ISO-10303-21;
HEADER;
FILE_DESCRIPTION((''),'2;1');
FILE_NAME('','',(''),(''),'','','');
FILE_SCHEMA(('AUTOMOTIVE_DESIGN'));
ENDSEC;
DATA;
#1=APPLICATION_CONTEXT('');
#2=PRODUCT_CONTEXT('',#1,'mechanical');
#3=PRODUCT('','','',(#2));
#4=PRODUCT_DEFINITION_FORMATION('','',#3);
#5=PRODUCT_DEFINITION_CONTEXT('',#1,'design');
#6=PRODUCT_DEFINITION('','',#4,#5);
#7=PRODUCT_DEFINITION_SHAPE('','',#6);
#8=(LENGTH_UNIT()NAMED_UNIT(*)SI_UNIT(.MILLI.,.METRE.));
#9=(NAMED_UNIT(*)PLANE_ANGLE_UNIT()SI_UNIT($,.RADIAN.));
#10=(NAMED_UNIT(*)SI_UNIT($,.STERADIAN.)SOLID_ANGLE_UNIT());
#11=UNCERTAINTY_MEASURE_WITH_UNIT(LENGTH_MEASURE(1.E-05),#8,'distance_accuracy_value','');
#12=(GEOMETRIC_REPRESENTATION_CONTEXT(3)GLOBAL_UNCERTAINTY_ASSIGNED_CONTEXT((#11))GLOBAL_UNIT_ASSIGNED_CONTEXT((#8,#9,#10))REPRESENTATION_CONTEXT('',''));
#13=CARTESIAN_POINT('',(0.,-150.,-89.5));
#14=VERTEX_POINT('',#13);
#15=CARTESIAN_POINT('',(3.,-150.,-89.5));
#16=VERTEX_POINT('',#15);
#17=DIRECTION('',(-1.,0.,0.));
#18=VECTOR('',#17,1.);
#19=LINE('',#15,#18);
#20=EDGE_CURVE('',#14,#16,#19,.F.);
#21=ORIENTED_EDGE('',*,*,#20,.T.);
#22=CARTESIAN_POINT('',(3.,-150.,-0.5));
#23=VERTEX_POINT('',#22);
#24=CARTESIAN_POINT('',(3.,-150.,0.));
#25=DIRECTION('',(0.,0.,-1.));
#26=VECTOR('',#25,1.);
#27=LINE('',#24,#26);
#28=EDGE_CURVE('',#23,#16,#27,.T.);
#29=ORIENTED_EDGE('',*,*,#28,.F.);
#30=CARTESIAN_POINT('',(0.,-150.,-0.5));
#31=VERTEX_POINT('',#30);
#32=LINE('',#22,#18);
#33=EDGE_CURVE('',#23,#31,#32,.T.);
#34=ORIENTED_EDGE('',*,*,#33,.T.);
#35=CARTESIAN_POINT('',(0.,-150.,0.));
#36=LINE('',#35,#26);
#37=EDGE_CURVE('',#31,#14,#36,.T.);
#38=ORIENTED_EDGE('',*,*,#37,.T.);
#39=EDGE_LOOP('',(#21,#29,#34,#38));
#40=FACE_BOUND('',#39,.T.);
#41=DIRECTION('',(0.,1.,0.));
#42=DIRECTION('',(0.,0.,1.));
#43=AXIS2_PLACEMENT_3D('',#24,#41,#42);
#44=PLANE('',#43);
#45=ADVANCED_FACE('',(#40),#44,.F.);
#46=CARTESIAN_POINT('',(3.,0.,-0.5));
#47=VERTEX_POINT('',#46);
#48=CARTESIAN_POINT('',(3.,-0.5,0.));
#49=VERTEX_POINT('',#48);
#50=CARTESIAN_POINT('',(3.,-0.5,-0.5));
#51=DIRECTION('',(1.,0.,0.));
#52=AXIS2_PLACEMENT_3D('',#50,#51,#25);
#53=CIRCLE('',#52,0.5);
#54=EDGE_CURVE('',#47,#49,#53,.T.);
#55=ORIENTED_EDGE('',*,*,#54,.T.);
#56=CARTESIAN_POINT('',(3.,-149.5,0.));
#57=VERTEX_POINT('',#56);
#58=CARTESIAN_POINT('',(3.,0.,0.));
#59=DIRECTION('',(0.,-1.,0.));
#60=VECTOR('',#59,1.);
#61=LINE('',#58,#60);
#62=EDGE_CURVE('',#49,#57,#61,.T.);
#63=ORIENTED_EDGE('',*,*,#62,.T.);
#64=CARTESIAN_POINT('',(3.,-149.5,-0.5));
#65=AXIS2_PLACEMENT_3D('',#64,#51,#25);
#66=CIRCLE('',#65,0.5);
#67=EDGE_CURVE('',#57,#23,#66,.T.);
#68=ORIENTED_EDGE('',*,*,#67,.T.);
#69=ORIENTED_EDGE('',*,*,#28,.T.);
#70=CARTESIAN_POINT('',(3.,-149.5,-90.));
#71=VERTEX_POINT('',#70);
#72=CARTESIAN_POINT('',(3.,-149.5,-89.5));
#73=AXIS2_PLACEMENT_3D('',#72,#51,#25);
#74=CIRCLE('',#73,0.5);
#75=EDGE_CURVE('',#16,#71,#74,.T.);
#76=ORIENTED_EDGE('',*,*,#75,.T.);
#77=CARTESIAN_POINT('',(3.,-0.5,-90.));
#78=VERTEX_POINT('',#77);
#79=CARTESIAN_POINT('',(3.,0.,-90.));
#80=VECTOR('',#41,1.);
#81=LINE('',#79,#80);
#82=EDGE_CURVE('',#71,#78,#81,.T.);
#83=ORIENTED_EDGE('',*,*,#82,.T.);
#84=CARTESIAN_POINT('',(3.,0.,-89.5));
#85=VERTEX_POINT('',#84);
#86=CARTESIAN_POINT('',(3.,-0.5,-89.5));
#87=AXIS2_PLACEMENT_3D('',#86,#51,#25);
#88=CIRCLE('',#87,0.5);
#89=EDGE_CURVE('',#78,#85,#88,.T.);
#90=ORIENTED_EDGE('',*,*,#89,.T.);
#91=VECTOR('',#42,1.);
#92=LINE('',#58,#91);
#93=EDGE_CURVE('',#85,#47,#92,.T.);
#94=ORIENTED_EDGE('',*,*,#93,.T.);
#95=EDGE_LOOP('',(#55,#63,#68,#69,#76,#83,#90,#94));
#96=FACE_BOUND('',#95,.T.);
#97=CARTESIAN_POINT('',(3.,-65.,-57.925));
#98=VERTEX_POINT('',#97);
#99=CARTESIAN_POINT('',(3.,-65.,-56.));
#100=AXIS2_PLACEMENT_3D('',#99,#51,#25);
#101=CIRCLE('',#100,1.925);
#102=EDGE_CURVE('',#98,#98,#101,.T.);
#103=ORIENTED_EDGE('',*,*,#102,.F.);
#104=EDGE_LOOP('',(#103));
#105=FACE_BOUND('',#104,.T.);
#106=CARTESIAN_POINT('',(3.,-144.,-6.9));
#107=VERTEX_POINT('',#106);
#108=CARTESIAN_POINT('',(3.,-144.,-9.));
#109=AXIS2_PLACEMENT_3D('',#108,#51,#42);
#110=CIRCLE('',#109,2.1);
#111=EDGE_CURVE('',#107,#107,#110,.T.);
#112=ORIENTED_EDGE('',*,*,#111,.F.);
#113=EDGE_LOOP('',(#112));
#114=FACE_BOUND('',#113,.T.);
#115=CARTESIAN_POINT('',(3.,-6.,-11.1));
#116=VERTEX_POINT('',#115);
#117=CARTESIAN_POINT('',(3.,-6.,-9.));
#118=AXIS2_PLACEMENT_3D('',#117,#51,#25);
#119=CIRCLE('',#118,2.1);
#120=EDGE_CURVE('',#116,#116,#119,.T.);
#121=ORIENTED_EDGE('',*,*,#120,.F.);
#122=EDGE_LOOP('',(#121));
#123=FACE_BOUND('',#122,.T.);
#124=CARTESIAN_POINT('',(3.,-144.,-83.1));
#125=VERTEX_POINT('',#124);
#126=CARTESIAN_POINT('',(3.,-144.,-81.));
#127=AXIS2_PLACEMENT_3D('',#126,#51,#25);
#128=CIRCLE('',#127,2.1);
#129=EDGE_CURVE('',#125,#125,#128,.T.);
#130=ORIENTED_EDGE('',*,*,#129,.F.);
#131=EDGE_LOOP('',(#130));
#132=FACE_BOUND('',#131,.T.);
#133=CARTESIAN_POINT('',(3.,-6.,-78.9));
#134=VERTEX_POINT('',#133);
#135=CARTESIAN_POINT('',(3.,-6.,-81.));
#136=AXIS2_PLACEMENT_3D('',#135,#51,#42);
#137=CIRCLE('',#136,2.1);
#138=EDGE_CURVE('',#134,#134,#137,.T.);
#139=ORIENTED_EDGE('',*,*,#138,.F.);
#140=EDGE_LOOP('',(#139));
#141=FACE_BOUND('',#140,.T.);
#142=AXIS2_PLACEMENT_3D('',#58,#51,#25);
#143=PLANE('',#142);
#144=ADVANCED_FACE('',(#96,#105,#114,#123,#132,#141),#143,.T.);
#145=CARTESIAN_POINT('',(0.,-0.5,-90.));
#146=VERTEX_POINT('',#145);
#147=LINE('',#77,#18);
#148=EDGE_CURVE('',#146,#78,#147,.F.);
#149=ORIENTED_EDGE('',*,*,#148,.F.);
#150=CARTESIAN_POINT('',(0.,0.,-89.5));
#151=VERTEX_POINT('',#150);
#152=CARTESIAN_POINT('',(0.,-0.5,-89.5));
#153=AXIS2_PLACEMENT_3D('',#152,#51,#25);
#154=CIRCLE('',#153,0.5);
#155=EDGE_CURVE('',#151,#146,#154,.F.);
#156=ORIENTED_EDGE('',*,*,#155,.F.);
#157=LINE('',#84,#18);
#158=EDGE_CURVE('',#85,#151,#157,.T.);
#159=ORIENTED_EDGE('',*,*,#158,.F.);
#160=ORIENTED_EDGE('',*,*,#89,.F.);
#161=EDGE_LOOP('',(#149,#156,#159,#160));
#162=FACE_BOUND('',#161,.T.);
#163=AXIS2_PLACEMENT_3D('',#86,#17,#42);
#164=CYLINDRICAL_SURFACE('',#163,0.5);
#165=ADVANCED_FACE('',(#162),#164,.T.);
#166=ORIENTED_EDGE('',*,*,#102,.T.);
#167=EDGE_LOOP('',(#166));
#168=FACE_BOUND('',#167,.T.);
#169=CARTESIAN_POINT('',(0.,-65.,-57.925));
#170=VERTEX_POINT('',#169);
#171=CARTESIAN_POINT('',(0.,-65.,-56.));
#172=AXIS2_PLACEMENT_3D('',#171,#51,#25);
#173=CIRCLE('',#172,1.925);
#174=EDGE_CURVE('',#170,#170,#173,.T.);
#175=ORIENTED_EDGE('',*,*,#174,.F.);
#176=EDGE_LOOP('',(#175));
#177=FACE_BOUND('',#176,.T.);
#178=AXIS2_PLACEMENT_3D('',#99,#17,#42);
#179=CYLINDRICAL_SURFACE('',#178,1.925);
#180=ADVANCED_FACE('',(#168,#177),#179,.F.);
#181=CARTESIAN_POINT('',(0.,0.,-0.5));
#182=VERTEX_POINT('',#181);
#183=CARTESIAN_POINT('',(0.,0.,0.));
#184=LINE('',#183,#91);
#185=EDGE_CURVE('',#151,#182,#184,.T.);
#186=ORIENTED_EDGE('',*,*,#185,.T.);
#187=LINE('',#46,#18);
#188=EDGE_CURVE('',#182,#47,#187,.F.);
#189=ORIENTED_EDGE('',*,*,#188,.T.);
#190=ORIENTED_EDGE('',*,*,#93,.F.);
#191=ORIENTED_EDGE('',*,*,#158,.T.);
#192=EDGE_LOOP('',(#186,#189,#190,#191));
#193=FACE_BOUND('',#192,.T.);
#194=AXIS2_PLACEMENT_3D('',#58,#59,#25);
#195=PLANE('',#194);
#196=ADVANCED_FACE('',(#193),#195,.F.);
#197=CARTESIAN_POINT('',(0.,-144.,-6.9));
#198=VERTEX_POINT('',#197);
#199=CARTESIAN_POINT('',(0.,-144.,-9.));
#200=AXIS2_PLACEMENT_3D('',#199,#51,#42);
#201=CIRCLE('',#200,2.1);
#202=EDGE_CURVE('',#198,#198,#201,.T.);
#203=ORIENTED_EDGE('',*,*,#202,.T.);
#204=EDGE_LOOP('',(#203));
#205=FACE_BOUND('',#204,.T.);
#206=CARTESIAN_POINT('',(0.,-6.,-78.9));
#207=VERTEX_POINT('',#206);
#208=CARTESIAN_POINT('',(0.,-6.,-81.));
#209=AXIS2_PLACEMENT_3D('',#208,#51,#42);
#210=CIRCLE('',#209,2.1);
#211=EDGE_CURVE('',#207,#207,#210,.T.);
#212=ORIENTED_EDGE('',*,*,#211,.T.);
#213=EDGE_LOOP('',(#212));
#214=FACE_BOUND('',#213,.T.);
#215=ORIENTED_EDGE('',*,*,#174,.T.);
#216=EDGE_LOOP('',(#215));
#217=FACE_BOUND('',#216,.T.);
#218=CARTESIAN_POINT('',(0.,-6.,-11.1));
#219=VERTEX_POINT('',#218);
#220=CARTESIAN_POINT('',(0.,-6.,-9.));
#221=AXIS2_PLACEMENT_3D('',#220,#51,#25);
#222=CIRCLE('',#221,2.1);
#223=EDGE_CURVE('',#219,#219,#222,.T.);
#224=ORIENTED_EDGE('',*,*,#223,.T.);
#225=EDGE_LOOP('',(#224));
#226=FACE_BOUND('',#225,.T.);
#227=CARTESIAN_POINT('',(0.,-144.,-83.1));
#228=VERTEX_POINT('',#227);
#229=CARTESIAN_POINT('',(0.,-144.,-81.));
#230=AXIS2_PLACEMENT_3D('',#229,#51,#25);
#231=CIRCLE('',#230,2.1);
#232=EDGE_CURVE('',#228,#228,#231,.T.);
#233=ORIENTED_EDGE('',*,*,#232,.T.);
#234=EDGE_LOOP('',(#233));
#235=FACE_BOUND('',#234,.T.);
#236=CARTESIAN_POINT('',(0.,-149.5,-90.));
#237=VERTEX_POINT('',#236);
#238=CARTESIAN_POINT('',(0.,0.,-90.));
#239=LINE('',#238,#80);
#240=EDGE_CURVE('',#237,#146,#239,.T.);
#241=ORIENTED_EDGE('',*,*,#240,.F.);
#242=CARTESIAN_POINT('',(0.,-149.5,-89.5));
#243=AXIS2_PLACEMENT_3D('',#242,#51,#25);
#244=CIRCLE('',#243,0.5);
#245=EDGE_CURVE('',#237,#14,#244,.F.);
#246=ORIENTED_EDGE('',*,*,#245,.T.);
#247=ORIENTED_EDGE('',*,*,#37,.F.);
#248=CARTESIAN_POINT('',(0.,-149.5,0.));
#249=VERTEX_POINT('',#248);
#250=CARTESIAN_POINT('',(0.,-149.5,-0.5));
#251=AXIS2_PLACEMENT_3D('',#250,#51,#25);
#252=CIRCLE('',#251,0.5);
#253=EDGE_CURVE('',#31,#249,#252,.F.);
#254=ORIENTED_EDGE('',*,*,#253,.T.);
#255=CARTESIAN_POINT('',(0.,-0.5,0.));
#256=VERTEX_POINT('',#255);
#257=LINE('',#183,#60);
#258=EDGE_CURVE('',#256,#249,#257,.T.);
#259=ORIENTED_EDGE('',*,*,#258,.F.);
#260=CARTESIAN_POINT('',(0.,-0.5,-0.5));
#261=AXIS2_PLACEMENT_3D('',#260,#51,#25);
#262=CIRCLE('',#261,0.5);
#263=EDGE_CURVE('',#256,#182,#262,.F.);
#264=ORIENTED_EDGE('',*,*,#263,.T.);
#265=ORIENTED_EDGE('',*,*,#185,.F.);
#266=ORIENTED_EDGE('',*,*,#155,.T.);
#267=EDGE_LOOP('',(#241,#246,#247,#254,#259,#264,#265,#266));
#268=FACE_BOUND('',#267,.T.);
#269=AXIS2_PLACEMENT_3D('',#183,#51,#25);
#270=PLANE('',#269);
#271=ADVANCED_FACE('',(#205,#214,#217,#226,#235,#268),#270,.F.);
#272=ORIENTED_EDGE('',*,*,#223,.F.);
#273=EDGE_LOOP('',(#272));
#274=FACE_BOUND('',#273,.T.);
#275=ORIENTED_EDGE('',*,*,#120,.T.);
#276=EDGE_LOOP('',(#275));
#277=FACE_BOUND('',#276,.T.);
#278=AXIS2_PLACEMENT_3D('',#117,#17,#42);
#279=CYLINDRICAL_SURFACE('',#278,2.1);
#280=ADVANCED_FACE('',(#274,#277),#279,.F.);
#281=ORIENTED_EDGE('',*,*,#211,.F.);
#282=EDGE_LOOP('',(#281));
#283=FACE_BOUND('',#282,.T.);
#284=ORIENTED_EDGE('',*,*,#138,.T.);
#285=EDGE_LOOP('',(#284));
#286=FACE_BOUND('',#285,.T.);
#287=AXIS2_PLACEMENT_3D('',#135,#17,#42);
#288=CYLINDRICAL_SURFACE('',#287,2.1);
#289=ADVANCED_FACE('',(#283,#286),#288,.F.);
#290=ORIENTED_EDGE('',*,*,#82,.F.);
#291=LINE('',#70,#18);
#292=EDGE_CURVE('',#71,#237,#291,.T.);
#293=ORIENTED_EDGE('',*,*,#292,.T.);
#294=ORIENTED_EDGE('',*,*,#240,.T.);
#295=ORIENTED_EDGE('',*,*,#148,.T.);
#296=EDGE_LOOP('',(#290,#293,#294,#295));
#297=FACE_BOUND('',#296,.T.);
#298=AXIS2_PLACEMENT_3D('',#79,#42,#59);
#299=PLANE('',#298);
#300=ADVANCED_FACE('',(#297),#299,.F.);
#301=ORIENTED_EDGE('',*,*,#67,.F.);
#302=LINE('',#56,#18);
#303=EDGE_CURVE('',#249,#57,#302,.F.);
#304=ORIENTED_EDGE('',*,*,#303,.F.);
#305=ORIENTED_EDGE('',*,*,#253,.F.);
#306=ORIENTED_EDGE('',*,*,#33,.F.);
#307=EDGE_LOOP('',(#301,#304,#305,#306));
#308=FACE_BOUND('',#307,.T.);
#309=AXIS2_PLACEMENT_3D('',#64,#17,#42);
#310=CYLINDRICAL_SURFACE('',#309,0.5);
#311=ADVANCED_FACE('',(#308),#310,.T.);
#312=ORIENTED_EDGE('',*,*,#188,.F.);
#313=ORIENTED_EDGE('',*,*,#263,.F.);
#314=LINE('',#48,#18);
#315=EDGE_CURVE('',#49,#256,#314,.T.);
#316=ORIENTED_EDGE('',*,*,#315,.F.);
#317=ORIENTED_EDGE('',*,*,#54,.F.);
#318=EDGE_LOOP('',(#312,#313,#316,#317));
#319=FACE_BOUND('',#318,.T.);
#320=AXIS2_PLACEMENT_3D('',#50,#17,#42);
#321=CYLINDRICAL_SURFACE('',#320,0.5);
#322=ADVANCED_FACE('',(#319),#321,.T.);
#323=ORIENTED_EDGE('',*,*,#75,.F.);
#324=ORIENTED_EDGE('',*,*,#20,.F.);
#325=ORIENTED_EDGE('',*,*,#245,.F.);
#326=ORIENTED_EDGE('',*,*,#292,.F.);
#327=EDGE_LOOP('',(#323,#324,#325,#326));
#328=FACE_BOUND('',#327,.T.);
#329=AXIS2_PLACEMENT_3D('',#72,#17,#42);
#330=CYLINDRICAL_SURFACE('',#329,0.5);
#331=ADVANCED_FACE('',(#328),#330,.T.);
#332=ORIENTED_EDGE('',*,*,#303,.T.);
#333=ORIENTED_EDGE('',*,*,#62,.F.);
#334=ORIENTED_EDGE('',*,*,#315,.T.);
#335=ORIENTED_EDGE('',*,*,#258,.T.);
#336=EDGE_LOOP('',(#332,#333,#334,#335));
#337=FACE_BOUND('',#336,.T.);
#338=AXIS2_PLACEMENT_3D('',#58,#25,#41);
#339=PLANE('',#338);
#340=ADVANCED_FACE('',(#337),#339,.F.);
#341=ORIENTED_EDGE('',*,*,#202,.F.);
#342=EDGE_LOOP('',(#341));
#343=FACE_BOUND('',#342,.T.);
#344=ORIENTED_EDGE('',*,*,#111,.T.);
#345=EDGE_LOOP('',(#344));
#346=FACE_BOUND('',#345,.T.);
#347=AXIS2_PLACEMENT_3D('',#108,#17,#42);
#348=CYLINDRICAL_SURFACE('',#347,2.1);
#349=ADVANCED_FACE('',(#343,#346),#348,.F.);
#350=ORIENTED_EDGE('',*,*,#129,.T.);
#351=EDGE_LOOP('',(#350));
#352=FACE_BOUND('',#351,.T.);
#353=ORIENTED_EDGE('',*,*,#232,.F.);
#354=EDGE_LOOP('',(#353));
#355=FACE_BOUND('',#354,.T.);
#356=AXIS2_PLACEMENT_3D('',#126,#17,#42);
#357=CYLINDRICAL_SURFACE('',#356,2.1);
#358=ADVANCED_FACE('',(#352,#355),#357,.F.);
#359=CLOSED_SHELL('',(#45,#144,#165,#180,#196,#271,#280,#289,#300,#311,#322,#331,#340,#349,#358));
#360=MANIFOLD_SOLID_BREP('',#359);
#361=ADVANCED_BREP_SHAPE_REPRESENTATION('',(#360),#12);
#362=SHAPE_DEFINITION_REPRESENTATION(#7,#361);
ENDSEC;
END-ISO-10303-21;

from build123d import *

# Parameters (mm, degrees)
SKETCH1_W           = 90
SKETCH1_H           = 150
SKETCH1_R           = 1.925
SKETCH1_R_2         = 2.1
BOSS_EXTRUDE1_DEPTH = 3
FILLET1_R           = 0.5


with BuildPart() as part:
    # Sketch1 → Boss-Extrude1 (new body)
    with BuildSketch(Plane(origin=(0, 0, 0), x_dir=(0, 0, -1), z_dir=(1, 0, 0))):
        with Locations((45, -75)):
            Rectangle(SKETCH1_W, SKETCH1_H)
        with Locations((56, -65)):
            Circle(SKETCH1_R, mode=Mode.SUBTRACT)
        with Locations((9, -6)):
            Circle(SKETCH1_R_2, mode=Mode.SUBTRACT)
        with Locations(Location((81, -6, 0), (0, 0, 180))):
            Circle(SKETCH1_R_2, mode=Mode.SUBTRACT)
        with Locations((81, -144)):
            Circle(SKETCH1_R_2, mode=Mode.SUBTRACT)
        with Locations(Location((9, -144, 0), (0, 0, 180))):
            Circle(SKETCH1_R_2, mode=Mode.SUBTRACT)
    extrude(amount=BOSS_EXTRUDE1_DEPTH)

    # Fillet1
    fillet1_edges = [part.edges().sort_by_distance(p)[0] for p in [
        (1.5, 0, 0),
        (1.5, 0, -90),
        (1.5, -150, -90),
        (1.5, -150, 0),
    ]]
    fillet(fillet1_edges, radius=FILLET1_R)


solid = part.part
